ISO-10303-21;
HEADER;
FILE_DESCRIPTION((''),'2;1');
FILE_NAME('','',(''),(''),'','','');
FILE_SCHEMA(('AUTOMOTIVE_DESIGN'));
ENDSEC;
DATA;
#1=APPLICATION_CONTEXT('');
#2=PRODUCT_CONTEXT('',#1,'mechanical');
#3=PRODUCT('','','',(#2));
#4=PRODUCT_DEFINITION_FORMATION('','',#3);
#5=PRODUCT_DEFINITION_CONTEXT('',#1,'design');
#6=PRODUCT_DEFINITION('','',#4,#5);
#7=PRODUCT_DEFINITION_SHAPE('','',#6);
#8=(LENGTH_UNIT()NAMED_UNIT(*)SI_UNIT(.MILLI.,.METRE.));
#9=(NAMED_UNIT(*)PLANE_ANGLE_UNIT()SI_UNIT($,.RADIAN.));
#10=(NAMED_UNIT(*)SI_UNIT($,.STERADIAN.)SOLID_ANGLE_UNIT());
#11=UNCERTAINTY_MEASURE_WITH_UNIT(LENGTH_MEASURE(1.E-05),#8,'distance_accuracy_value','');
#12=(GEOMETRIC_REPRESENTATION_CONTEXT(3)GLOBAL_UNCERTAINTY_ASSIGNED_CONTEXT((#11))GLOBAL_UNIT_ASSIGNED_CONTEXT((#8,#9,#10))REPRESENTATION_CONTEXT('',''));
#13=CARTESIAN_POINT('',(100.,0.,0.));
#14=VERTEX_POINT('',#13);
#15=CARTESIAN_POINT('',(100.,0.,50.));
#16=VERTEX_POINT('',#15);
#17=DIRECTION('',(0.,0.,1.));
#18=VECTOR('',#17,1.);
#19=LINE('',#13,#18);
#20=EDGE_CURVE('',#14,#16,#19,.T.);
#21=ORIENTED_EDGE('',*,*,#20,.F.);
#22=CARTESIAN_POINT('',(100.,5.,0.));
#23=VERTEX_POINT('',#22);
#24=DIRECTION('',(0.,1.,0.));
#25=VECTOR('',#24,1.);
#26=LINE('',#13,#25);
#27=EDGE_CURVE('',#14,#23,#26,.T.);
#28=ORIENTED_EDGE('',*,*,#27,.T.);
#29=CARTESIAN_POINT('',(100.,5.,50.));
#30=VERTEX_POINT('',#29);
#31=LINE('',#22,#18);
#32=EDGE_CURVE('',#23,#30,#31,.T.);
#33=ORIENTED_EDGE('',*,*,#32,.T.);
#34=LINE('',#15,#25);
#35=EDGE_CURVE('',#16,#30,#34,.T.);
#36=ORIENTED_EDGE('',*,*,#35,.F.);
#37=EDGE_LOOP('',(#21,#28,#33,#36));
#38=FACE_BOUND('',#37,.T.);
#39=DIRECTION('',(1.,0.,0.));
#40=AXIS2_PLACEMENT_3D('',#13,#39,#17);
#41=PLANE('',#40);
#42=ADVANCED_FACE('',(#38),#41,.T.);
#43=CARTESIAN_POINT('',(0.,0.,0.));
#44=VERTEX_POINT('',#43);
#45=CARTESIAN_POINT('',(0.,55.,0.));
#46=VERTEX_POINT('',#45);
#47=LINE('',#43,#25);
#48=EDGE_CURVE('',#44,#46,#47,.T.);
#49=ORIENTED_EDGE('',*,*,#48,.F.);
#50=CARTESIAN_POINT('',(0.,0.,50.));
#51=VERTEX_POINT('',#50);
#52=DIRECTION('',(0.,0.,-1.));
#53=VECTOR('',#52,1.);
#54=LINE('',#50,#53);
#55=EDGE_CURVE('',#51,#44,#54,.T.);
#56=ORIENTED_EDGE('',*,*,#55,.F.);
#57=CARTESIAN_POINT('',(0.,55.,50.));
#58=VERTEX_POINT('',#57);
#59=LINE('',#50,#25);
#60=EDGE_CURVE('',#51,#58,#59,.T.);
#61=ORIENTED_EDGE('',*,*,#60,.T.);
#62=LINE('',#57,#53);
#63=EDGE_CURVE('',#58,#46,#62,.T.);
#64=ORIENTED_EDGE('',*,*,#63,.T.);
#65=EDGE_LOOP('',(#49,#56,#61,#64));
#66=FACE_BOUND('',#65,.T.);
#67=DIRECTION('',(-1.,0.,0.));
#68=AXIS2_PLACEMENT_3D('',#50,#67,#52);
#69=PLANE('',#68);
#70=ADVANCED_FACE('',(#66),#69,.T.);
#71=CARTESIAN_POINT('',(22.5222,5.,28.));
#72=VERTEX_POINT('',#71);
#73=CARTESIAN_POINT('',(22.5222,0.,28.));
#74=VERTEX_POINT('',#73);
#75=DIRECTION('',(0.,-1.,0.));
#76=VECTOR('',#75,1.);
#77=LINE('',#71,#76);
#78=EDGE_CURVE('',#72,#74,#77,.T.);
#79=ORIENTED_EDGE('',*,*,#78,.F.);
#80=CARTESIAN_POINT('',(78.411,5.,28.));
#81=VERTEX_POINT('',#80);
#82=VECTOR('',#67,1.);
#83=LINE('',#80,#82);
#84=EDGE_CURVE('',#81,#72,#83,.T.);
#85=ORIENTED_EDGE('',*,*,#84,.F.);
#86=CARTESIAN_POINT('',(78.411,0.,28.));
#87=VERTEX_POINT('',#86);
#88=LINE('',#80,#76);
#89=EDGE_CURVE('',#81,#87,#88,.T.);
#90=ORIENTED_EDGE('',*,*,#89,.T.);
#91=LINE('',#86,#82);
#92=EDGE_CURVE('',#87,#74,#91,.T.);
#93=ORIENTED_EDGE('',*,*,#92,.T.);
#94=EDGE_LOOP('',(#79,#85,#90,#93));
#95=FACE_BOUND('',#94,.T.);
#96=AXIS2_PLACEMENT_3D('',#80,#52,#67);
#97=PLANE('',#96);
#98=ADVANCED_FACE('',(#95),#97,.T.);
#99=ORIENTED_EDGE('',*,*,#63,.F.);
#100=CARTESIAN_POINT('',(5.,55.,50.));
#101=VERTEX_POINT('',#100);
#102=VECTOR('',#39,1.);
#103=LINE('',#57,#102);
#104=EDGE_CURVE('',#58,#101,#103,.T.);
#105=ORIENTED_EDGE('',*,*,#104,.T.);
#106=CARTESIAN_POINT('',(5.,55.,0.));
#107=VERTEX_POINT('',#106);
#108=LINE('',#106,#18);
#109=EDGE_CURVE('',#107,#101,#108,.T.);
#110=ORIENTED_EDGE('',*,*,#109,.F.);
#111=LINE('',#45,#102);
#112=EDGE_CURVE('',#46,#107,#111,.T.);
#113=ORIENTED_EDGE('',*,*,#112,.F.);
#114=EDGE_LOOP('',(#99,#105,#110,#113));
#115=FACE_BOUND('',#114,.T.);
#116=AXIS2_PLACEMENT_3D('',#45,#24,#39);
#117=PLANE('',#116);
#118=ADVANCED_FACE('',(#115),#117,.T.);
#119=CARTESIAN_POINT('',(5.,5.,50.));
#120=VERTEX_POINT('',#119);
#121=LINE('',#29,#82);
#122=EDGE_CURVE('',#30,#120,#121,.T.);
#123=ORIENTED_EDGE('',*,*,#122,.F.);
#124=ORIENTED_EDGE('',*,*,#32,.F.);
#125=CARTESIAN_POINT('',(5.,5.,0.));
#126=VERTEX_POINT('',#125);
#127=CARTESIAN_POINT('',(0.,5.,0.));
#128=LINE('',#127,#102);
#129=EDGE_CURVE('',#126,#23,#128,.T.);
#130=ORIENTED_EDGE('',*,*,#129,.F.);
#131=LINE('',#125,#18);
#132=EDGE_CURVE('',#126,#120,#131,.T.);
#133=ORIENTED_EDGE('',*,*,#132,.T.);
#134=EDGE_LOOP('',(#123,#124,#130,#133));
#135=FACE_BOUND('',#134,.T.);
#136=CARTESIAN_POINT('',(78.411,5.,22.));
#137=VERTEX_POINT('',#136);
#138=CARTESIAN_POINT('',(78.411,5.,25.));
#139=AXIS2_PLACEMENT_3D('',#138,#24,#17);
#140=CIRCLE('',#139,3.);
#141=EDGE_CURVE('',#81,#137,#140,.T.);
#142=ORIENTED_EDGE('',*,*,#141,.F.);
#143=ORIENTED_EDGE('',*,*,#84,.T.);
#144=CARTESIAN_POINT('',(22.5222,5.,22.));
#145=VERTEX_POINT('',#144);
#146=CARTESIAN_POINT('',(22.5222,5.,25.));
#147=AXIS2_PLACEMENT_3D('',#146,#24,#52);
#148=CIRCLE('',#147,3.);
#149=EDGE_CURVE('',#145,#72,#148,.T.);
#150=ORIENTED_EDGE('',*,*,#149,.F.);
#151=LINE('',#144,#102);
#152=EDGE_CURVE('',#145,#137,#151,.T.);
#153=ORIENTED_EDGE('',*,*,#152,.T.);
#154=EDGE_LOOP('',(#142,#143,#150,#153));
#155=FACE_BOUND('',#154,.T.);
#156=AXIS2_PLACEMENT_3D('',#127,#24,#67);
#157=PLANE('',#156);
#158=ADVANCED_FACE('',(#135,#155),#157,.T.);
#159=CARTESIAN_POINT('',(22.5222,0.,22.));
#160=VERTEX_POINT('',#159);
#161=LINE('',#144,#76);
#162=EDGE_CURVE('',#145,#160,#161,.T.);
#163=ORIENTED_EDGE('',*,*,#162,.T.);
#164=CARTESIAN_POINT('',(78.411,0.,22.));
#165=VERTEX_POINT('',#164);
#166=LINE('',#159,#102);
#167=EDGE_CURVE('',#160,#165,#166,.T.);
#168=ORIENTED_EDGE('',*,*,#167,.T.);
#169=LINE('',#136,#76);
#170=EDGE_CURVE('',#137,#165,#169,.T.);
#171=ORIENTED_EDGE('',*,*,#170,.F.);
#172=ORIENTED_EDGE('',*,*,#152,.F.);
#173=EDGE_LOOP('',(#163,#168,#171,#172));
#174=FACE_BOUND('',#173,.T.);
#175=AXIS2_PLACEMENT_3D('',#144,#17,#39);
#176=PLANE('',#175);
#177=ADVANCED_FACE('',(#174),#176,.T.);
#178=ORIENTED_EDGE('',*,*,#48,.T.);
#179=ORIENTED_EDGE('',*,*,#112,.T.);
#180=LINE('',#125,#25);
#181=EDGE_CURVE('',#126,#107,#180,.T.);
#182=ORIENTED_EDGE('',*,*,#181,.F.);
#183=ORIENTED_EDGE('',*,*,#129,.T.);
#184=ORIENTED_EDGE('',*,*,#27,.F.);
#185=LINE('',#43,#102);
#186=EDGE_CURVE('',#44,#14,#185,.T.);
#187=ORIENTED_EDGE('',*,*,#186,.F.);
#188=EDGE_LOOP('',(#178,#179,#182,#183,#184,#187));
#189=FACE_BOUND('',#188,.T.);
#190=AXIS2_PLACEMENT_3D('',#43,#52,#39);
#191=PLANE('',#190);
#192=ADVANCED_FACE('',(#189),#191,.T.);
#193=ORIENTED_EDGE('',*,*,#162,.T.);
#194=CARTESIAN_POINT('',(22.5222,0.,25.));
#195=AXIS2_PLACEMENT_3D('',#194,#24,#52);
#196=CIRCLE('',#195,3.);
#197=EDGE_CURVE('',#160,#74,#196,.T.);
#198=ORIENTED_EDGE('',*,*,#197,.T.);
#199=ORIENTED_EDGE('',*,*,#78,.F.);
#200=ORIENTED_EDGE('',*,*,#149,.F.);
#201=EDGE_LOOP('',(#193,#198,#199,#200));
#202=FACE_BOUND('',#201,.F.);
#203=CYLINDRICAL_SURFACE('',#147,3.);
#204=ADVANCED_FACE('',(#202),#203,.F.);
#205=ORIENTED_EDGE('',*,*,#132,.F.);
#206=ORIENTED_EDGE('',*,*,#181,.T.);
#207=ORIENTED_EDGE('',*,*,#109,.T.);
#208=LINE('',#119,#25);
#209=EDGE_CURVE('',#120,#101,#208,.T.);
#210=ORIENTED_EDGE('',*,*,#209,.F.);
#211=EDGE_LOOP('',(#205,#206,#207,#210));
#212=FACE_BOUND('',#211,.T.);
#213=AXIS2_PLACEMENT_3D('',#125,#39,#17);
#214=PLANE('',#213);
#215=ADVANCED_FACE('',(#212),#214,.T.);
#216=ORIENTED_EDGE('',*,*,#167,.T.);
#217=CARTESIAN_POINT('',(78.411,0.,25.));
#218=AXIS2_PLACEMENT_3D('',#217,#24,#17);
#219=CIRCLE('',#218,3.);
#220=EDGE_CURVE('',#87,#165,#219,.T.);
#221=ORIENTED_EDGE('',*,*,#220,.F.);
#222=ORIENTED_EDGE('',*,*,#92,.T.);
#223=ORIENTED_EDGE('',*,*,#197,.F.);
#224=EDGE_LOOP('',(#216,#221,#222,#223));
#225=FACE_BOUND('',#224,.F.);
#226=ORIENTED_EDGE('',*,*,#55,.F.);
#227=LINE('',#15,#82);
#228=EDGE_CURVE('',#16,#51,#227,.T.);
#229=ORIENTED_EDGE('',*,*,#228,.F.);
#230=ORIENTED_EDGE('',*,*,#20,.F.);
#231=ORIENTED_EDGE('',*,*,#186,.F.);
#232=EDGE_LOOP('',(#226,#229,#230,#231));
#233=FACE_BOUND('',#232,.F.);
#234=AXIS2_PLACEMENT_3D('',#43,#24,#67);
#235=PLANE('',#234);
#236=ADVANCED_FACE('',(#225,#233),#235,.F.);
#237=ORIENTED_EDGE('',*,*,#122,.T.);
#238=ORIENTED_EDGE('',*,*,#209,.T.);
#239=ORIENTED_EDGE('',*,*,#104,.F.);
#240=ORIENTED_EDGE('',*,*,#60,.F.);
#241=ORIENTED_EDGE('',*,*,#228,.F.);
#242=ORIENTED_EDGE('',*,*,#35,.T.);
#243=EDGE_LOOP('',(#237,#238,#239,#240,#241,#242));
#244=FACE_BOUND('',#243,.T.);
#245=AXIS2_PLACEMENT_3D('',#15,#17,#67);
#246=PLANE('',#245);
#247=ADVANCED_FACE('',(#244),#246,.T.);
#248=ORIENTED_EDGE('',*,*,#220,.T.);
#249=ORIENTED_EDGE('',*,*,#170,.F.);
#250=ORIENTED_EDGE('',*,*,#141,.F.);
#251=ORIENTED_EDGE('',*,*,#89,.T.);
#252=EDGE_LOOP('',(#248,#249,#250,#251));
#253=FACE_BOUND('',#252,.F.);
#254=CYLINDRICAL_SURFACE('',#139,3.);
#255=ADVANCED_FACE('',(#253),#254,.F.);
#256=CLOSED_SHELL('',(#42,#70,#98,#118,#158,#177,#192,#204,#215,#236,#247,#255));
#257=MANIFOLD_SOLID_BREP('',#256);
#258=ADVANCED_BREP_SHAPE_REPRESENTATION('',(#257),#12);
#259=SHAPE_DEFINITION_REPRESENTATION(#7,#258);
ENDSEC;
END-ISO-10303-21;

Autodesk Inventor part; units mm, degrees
ref_plane "YZ Plane" through (0, 0, 0) normal (1, 0, 0) x (0, 1, 0)
ref_plane "XZ Plane" through (0, 0, 0) normal (0, 1, 0) x (-1, 0, 0)
ref_plane "XY Plane" through (0, 0, 0) normal (0, 0, 1) x (1, 0, 0)
sketch "Sketch1" plane through (0, 0, 0) normal (0, 1, 0) x (-1, 0, 0)
  line L0 (0, 0) -> (-100, 0)
  line L1 (-100, 0) -> (-100, 50)
  line L2 (-100, 50) -> (0, 50)
  line L3 (0, 50) -> (0, 0)
  dimension "d0" = 100
  dimension "d1" = 50
extrude "Extrusion1" add sketch "Sketch1" along normal blind 5
sketch "Sketch3" plane through (0, 5, 0) normal (0, 1, 0) x (1, 0, 0)
  line L0 (0, -50) -> (100, -50) projected
  line L1 (0, 0) -> (5, 0)
  line L2 (5, 0) -> (5, -50)
  line L3 (5, -50) -> (0, -50)
  line L4 (0, -50) -> (0, 0)
  dimension "d14" = 5
extrude "Extrusion2" add sketch "Sketch3" along normal blind 50
sketch "Sketch4" plane through (0, 5, 0) normal (0, 1, 0) x (1, 0, 0)
  line L0 (5, 0) -> (5, -50) projected
  line L1 (5, -50) -> (100, -50) construction
  line L2 (100, -50) -> (100, 0) construction
  line L3 (100, 0) -> (5, 0) construction
  arc A0 (78.411, -28) -> (78.411, -22) centre (78.411, -25) ccw
  arc A1 (22.5222, -22) -> (22.5222, -28) centre (22.5222, -25) ccw
  line L4 (22.5222, -22) -> (78.411, -22)
  line L5 (78.411, -28) -> (22.5222, -28)
  point P0 (0, 0)
  point P1 (100, -25)
  dimension "d30" = 6
  dimension "d31" = 6
  dimension "d32" = 25
extrude "Extrusion3" cut sketch "Sketch4" against normal up to surface (5 mm away)
properties part number "Horonyrogzito_b"
